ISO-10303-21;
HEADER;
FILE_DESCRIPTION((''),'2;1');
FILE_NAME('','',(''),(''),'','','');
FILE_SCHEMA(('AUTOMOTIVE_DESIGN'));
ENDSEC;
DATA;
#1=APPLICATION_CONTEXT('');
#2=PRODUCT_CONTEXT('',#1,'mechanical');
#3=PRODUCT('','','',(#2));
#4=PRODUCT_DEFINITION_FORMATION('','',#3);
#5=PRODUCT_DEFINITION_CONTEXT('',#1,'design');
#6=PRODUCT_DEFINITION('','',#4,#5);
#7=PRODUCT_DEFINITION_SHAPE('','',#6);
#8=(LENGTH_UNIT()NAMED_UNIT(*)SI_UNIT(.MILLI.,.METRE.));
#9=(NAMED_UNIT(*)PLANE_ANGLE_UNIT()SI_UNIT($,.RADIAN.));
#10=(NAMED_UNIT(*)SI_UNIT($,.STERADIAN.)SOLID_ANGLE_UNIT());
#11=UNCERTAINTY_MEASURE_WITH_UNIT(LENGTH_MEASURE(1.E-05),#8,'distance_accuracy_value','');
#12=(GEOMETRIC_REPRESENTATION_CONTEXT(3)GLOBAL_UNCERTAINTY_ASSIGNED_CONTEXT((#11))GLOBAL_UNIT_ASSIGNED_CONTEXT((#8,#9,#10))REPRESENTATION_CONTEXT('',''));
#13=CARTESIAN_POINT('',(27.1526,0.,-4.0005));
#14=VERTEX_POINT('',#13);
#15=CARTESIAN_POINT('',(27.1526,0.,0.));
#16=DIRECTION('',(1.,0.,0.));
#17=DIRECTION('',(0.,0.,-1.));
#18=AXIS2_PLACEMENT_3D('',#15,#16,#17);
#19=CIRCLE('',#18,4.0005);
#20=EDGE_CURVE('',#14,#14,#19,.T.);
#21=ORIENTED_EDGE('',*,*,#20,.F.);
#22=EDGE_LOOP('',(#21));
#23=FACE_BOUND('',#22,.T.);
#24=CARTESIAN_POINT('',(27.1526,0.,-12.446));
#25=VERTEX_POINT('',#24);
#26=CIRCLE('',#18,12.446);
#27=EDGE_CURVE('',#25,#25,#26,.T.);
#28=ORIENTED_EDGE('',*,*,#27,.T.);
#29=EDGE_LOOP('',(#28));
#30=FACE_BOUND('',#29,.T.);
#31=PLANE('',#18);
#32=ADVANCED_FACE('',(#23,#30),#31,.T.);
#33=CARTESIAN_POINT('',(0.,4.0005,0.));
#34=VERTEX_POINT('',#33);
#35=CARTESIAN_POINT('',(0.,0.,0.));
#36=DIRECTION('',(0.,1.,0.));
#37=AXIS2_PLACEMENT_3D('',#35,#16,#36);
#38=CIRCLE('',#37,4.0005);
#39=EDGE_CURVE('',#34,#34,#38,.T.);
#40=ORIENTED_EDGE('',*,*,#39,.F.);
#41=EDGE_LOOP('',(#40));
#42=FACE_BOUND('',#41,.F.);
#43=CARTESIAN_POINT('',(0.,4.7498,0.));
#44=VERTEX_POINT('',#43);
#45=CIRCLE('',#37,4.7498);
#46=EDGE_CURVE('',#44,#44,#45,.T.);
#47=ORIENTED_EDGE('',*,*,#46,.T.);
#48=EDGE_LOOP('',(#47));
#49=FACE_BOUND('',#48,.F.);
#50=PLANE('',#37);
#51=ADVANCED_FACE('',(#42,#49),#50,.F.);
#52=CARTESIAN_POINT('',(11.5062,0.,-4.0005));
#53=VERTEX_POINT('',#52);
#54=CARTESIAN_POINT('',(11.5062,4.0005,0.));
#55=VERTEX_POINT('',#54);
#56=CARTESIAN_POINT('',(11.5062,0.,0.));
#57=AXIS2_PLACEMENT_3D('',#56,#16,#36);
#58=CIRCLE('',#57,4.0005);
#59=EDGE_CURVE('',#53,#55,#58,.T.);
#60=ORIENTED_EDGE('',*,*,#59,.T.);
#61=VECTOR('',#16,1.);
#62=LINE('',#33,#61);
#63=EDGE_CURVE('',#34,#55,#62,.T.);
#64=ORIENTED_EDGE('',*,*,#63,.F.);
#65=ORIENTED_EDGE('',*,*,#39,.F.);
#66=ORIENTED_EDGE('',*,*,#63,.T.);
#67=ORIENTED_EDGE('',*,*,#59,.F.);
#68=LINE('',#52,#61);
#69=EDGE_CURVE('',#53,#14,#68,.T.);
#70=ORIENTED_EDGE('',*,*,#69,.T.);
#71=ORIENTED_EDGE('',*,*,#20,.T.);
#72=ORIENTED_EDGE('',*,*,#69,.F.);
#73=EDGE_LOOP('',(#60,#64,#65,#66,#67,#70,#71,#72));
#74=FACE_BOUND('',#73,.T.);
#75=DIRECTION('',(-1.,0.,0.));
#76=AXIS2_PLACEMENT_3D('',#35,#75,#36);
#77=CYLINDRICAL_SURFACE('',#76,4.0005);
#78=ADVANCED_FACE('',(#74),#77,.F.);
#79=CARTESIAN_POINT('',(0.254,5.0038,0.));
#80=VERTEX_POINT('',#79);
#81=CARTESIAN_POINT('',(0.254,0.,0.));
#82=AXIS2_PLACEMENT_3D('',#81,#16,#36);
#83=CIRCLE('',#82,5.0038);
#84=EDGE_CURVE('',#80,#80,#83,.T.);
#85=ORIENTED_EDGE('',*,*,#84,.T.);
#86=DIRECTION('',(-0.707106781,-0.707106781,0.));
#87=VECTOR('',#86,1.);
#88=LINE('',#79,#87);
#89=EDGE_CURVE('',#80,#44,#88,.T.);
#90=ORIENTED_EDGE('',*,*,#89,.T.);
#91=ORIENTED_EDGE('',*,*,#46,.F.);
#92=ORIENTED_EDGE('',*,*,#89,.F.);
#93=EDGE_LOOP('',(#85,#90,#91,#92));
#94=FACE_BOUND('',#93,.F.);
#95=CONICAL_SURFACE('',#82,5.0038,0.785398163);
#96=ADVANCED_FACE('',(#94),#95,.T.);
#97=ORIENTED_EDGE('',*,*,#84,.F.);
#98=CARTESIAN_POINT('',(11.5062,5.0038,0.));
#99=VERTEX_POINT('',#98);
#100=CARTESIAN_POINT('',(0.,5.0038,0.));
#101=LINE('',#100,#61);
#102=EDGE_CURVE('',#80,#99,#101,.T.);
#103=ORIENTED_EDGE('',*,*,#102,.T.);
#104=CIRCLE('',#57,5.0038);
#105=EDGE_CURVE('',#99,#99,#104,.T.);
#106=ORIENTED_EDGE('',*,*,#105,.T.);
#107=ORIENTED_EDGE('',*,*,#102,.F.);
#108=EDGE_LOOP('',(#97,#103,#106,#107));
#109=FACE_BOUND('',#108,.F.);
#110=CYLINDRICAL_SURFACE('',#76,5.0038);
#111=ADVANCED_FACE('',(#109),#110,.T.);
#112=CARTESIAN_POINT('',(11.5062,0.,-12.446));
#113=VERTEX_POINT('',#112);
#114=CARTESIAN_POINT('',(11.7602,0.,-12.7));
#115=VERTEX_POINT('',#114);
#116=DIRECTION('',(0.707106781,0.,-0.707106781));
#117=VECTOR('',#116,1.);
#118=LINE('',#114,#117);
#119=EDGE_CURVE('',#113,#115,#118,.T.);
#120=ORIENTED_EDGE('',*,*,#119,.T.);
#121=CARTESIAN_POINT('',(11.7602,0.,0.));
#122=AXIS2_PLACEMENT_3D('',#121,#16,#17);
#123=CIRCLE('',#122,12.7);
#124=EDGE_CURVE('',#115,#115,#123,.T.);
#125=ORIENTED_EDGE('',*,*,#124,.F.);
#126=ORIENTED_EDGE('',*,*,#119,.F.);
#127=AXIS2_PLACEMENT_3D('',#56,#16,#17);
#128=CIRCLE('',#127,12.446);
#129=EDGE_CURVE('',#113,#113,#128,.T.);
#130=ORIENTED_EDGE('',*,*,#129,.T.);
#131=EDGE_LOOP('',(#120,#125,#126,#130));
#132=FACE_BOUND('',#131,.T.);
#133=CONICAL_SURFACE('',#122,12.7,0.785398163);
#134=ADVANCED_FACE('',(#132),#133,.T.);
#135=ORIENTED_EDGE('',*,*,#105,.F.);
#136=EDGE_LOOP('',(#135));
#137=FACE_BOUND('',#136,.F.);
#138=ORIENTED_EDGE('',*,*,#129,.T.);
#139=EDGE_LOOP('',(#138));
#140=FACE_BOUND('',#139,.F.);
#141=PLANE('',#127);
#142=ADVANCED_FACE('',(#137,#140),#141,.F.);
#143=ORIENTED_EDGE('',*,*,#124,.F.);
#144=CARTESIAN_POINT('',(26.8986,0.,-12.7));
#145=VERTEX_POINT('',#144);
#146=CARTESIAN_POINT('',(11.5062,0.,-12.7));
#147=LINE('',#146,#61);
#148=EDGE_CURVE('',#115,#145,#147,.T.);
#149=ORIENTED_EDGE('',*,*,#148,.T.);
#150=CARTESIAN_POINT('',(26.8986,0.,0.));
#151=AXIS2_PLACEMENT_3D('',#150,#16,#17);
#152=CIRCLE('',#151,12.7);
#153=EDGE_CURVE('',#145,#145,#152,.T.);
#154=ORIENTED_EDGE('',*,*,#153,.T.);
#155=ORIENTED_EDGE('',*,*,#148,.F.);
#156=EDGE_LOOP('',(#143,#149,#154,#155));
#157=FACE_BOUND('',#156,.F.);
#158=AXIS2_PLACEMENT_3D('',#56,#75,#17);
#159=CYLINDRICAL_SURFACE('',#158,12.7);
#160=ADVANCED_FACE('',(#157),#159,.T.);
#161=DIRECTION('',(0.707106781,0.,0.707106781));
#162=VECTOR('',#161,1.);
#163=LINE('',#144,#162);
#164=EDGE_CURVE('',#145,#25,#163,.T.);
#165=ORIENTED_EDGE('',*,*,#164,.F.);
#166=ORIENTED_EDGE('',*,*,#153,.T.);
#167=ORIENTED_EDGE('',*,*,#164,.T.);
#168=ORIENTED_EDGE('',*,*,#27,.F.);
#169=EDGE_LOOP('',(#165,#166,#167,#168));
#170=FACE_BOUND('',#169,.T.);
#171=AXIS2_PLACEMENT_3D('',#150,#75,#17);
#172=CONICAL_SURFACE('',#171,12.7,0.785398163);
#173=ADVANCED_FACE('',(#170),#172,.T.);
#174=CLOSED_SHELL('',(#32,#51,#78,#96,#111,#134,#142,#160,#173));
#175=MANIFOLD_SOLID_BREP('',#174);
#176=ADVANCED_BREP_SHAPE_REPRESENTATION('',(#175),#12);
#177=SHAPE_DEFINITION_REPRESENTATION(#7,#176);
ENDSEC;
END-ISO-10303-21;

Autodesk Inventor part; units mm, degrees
ref_plane "YZ Plane" through (0, 0, 0) normal (1, 0, 0) x (0, 1, 0)
ref_plane "XZ Plane" through (0, 0, 0) normal (0, 1, 0) x (-1, 0, 0)
ref_plane "XY Plane" through (0, 0, 0) normal (0, 0, 1) x (1, 0, 0)
sketch "Sketch1" plane through (0, 0, 0) normal (1, 0, 0) x (0, 1, 0)
  circle A0 centre (0, 0) radius 5.0038
  circle A1 centre (0, 0) radius 4.0005
  dimension "d0" = 10.0076
  dimension "d1" = 8.001
extrude "Extrusion1" add sketch "Sketch1" along normal blind 11.5062
sketch "Sketch2" plane through (11.5062, 0, 0) normal (1, 0, 0) x (0, 0, -1)
  circle A0 centre (0, 0) radius 12.7
  circle A1 centre (0, 0) radius 4.0005
  dimension "d4" = 25.4
  dimension "d7" = 8.001
extrude "Extrusion2" add sketch "Sketch2" along normal blind 15.6464
chamfer "Chamfer1" distance 0.254 angle 45 3 edges at (0, -5.0038, 0) (11.5062, 0, 12.7) (27.1526, 0, 12.7)
properties part number "Flex_Bushing"
